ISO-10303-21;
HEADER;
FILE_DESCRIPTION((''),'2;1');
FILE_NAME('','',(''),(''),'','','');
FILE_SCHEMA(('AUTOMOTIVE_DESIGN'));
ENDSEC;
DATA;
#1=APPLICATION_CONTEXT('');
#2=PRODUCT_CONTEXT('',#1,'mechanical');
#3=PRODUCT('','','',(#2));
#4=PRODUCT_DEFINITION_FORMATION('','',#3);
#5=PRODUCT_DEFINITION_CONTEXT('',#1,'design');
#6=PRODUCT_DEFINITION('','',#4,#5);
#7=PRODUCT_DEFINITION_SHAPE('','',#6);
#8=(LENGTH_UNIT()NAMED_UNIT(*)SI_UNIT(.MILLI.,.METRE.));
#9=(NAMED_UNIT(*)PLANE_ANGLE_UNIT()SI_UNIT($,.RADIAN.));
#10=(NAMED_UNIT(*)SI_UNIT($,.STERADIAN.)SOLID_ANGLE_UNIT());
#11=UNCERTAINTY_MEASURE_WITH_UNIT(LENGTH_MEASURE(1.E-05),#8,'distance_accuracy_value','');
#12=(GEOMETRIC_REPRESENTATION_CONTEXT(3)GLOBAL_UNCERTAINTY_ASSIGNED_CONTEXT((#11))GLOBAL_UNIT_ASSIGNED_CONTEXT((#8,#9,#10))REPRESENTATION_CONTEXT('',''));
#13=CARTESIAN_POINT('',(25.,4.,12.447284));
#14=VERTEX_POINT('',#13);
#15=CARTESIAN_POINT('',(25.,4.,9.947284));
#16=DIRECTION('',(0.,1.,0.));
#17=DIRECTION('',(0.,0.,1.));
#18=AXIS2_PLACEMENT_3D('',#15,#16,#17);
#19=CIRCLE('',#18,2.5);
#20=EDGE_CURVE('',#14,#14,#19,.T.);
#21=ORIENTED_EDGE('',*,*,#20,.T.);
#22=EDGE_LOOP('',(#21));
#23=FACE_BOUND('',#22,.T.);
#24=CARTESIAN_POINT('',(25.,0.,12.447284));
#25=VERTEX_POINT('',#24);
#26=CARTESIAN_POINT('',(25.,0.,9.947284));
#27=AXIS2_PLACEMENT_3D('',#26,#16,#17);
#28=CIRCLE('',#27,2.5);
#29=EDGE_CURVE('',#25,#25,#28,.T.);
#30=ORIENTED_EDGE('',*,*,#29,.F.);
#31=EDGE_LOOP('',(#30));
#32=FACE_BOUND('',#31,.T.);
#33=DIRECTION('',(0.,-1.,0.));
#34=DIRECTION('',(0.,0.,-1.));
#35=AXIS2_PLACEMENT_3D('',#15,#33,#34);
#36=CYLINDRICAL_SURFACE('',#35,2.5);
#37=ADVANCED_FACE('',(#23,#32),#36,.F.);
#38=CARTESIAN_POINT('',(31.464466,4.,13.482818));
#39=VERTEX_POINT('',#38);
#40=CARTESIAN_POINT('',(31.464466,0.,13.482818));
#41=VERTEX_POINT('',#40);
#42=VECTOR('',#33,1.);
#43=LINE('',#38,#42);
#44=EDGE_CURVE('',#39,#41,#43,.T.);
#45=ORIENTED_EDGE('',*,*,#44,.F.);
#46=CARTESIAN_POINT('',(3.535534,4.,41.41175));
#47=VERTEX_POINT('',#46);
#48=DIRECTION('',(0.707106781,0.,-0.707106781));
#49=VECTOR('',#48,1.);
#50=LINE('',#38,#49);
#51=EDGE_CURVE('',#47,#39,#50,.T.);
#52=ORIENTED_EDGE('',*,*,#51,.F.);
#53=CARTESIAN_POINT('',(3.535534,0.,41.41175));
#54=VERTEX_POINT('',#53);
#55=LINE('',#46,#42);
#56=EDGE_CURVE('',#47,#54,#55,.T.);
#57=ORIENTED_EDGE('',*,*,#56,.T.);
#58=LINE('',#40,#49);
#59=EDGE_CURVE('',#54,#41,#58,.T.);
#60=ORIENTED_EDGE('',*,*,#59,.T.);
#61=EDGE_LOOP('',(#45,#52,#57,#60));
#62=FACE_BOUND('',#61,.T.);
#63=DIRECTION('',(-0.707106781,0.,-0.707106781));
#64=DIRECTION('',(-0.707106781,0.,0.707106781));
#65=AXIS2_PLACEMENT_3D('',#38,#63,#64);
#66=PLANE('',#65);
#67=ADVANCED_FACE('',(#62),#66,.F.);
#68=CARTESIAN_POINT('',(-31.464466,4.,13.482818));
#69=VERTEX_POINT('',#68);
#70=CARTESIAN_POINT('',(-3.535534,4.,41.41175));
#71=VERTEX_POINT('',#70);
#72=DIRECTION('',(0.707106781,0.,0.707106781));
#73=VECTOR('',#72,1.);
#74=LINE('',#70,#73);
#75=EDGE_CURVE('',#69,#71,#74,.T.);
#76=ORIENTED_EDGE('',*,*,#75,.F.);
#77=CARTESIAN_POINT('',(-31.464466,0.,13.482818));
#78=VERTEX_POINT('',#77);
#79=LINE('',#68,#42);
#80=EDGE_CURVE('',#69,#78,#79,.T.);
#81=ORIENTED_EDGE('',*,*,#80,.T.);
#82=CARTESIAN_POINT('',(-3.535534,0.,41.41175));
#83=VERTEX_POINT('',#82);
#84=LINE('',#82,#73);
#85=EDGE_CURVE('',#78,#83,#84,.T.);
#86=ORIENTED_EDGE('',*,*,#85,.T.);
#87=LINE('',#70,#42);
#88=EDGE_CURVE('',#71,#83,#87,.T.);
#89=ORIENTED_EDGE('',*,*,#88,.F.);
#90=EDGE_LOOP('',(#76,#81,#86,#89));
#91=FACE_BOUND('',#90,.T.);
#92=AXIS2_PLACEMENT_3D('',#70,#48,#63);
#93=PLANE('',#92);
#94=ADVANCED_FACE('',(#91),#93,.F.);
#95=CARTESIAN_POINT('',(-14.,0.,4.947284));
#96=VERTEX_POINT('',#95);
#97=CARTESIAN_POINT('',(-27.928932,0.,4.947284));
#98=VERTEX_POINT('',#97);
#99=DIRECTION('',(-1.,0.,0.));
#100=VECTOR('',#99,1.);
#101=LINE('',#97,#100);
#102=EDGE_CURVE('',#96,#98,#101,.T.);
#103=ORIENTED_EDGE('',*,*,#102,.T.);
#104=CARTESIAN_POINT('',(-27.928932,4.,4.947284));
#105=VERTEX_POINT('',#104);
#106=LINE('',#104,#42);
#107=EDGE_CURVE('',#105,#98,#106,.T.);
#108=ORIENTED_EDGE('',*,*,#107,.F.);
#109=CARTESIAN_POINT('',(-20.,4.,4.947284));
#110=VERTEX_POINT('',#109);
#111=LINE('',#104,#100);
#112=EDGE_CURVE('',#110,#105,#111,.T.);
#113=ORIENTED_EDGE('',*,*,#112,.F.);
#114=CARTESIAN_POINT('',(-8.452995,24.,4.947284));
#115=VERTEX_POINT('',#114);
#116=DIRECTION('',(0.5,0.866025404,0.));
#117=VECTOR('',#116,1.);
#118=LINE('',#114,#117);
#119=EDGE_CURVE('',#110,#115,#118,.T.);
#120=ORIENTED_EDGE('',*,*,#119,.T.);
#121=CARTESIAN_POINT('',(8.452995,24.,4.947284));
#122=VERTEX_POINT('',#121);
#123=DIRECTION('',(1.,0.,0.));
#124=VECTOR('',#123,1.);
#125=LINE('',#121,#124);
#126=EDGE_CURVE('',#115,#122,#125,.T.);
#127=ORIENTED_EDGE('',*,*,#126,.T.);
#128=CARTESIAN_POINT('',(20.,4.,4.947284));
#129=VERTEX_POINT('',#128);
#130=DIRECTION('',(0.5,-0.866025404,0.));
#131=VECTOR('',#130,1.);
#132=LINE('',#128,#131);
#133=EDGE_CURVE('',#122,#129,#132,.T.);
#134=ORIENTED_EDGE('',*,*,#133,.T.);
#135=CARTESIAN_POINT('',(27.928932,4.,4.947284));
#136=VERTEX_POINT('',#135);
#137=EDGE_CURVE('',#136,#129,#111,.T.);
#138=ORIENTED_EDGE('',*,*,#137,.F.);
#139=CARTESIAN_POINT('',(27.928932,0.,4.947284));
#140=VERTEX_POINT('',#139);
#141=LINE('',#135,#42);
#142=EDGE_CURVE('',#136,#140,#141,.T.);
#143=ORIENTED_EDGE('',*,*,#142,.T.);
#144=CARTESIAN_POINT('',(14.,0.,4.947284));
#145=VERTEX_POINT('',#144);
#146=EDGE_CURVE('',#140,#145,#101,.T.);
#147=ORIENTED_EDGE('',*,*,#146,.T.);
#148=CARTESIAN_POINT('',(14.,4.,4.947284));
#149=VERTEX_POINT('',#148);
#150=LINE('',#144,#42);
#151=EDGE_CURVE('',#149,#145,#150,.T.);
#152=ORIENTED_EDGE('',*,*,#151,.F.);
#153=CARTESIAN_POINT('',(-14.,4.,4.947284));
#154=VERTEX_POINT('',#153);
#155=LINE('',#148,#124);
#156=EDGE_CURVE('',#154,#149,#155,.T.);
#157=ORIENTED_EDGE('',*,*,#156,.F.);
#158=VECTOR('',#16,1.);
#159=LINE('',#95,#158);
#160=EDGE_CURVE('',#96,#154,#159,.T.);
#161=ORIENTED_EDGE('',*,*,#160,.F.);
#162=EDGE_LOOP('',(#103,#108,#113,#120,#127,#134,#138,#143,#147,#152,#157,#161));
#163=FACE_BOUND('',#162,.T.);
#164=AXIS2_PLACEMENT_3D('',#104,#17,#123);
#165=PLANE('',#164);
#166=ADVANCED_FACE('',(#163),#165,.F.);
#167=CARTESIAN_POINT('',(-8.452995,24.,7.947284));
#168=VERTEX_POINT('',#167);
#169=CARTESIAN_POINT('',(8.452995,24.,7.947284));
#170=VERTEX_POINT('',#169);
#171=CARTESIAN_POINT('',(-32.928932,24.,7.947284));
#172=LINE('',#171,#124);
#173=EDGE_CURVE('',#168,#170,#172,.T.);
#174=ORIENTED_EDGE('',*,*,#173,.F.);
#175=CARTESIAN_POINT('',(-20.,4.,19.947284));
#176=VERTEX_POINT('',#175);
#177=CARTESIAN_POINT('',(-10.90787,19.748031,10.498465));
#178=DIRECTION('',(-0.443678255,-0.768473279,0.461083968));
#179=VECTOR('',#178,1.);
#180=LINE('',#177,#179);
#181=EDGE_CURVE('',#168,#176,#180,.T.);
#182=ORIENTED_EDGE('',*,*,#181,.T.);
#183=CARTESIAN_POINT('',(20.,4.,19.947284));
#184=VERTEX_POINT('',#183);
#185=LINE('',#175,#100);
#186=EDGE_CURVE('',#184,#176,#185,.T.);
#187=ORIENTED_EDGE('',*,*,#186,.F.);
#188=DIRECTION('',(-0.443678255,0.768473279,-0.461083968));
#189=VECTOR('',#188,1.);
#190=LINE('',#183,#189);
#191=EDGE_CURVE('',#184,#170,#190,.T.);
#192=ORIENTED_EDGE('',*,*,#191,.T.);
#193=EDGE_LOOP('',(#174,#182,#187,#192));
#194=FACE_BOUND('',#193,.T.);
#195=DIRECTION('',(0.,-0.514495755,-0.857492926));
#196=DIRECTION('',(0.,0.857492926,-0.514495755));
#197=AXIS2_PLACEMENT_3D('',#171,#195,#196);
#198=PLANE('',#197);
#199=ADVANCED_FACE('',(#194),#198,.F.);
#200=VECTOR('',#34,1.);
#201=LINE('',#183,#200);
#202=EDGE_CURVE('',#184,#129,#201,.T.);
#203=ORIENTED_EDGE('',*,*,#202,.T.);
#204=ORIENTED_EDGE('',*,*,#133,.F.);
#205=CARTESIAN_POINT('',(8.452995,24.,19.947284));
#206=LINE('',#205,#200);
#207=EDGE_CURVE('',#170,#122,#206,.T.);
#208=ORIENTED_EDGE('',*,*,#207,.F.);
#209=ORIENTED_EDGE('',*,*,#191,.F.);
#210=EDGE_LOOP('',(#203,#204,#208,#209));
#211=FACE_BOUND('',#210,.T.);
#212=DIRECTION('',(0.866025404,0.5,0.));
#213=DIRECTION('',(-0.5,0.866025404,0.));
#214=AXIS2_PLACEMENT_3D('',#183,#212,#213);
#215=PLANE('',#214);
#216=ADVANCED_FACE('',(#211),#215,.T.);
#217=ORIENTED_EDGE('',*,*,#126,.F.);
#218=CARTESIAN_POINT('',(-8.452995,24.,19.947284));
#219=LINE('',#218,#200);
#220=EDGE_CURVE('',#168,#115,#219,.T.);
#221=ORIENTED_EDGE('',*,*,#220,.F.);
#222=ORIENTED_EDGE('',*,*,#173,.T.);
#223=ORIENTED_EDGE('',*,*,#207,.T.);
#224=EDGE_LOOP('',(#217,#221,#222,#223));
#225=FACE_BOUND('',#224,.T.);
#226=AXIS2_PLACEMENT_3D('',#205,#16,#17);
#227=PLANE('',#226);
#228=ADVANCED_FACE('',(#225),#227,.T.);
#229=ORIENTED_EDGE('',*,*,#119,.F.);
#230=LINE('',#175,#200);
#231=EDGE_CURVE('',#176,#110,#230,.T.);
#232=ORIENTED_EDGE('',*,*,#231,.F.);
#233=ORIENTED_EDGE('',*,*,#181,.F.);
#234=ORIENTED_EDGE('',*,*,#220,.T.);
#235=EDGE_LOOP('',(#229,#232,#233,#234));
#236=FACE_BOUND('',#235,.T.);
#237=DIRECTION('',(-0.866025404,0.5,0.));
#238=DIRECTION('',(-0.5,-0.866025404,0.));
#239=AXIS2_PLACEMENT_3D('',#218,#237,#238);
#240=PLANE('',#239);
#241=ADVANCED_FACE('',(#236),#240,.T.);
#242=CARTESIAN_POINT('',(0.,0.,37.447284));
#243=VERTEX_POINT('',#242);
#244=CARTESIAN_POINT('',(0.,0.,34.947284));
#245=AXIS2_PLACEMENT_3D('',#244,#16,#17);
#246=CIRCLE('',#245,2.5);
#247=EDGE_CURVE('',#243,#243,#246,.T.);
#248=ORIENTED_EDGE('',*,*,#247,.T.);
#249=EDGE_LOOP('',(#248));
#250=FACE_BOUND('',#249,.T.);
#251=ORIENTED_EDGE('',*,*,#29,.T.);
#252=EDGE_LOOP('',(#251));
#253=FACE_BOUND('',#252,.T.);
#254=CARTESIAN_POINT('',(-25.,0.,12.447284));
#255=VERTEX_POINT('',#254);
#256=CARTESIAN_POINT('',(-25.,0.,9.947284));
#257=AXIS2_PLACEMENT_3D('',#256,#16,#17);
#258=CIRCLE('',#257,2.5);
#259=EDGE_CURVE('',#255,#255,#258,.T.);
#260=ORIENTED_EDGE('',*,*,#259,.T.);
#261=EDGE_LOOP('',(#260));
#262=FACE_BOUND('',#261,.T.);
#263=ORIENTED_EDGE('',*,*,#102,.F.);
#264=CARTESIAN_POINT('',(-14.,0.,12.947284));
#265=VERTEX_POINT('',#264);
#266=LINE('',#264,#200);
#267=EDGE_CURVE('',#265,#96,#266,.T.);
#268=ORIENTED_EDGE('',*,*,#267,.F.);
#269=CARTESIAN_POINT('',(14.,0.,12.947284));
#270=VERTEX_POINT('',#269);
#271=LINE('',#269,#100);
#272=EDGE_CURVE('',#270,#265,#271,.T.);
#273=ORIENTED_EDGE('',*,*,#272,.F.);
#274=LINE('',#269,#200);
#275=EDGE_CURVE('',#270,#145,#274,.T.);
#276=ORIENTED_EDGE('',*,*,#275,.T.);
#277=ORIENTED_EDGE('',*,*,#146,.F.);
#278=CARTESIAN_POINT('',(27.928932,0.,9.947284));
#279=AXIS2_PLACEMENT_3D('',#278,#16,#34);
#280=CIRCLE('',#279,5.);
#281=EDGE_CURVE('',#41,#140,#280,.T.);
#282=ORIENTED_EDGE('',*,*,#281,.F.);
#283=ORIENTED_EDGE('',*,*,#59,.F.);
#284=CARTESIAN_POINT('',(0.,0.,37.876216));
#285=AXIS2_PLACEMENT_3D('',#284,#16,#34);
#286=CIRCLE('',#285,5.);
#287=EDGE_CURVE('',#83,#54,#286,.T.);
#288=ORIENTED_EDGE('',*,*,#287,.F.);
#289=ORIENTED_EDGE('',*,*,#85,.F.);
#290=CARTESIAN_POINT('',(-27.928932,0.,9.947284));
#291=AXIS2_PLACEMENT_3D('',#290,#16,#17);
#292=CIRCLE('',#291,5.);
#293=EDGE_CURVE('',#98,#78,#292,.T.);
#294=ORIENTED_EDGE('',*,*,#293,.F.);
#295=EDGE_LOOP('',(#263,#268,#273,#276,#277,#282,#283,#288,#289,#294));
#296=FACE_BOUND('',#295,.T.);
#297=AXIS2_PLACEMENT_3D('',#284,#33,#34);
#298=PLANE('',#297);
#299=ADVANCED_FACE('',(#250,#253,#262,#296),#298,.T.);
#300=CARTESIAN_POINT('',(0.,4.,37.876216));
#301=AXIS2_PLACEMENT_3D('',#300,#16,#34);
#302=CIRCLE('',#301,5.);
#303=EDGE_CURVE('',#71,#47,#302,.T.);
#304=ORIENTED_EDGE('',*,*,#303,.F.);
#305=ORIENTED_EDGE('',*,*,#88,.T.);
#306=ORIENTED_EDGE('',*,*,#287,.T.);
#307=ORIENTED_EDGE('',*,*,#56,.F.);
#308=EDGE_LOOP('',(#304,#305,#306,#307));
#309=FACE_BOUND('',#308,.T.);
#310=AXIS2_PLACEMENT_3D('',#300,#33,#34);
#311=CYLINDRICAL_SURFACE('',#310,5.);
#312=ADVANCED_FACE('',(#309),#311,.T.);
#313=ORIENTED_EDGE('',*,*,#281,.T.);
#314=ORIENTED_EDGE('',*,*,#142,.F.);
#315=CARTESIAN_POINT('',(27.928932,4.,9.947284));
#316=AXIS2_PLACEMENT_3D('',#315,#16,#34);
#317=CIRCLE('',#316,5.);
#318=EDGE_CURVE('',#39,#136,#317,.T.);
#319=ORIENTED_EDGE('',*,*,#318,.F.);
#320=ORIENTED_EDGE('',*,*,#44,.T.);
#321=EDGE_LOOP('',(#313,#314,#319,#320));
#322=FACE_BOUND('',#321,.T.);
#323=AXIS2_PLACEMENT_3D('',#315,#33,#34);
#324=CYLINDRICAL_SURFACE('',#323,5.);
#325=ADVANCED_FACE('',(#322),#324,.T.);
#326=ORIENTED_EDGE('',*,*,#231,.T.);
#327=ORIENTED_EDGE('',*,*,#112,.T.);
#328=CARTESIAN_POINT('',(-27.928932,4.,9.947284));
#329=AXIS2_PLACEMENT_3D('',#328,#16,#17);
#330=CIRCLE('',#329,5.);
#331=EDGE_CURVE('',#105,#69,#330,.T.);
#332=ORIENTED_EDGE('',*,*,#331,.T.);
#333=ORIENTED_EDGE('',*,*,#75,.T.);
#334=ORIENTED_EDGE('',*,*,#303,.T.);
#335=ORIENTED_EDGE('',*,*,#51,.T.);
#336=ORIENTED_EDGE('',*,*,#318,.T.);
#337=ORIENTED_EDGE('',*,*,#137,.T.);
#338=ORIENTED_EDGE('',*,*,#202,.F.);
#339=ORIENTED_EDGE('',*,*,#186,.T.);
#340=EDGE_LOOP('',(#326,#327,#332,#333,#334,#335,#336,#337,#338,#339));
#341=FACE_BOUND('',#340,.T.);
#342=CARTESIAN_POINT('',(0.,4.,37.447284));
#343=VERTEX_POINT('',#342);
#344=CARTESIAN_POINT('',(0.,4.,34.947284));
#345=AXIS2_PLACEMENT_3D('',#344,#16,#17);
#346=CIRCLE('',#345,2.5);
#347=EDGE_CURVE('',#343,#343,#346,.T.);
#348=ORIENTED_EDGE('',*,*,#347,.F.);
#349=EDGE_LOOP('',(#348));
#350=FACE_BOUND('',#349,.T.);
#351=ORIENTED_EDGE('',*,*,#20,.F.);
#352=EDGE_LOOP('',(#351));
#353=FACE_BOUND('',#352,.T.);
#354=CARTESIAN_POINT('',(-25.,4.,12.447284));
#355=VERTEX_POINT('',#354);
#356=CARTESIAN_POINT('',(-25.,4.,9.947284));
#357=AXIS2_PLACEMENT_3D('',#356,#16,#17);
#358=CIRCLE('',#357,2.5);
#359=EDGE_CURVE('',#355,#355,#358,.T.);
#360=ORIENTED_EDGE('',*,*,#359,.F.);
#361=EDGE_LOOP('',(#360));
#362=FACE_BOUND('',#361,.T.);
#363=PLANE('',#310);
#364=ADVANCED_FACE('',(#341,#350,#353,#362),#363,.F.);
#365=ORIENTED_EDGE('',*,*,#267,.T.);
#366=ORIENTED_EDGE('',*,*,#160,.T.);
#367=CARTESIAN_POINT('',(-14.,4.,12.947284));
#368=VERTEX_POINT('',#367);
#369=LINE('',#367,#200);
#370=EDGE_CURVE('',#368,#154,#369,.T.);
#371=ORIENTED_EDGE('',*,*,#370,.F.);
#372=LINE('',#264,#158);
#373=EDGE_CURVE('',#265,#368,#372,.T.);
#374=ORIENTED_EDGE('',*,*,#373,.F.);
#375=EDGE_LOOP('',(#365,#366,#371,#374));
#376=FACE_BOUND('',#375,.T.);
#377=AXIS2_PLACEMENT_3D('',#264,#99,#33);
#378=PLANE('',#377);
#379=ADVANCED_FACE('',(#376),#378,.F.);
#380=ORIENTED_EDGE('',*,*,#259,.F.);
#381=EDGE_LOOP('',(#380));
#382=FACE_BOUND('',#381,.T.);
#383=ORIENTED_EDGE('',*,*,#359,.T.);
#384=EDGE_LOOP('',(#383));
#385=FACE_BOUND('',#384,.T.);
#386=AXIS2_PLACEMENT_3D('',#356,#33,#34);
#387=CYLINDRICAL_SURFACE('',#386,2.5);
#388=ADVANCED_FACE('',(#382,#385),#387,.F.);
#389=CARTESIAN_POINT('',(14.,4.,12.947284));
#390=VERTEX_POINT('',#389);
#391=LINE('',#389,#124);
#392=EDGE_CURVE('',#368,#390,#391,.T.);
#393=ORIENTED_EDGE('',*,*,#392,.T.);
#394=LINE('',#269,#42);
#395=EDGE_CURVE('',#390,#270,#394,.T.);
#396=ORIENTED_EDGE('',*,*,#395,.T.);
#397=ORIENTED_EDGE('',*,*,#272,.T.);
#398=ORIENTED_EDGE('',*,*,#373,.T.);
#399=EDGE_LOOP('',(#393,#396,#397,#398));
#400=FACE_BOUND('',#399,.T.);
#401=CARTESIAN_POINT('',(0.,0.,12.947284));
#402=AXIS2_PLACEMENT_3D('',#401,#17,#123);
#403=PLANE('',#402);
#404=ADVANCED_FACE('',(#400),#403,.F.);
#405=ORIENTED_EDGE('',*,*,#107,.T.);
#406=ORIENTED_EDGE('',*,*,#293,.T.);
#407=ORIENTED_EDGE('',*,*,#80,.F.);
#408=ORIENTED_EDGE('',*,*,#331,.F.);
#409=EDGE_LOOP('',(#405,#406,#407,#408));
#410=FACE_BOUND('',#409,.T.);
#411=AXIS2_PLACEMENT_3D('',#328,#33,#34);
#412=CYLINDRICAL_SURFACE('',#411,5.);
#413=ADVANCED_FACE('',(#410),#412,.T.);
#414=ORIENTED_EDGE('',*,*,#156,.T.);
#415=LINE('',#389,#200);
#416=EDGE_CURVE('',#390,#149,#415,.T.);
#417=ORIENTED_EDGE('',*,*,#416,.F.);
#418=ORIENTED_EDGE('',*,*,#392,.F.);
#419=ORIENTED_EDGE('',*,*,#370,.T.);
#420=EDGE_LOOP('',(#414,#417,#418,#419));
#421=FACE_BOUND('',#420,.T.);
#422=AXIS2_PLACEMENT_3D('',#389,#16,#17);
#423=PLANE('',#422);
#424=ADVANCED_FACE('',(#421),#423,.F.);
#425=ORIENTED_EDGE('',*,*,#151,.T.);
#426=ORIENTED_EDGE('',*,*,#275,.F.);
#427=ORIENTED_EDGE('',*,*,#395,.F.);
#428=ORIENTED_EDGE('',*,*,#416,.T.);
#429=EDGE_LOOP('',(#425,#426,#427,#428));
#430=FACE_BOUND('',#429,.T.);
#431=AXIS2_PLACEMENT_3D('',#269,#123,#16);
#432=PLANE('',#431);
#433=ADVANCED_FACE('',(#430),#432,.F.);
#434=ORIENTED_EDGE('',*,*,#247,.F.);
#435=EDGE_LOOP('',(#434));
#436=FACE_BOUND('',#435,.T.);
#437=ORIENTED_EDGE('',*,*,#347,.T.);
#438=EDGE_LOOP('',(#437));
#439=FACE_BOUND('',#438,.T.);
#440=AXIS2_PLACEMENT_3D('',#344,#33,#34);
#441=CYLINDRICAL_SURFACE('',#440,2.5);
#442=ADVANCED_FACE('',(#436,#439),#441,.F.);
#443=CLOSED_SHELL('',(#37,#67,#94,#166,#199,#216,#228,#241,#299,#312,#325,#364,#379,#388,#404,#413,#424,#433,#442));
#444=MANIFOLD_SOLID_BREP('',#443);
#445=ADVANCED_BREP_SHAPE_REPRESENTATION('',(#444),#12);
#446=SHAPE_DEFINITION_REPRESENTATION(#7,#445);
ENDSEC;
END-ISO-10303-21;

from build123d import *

# Parameters (mm, degrees)
SKETCH_1_R               = 2.5
EXTRUDE_1_DEPTH          = 4
EXTRUDE_2_DEPTH          = 15
SKETCH_3_W               = 28
SKETCH_3_H               = 4
CUT_EXTRUDE_1_DEPTH      = 8
CUT_EXTRUDE_2_DEPTH      = 60.149678768
CUT_EXTRUDE_2_DEPTH_BACK = 60.149678768


with BuildPart() as part:
    # 草图1 → 凸台-拉伸1 (new body)
    with BuildSketch(Plane(origin=(0, 0, 0), x_dir=(1, 0, 0), z_dir=(0, 1, 0))):
        with BuildLine():
            Line((-27.928932188, -4.947284101), (27.928932188, -4.947284101))
            ThreePointArc((27.928932188, -4.947284101), (32.548329851, -8.03386694), (31.464466094, -13.482818007))
            Line((31.464466094, -13.482818007), (3.535533906, -41.411750195))
            ThreePointArc((3.535533906, -41.411750195), (0, -42.87621629), (-3.535533906, -41.411750195))
            Line((-3.535533906, -41.411750195), (-31.464466094, -13.482818007))
            ThreePointArc((-31.464466094, -13.482818007), (-32.548329851, -8.03386694), (-27.928932188, -4.947284101))
        make_face()
        with Locations(Location((-25, -9.947284101, 0), (0, 0, 270))):
            Circle(SKETCH_1_R, mode=Mode.SUBTRACT)
        with Locations(Location((25, -9.947284101, 0), (0, 0, 270))):
            Circle(SKETCH_1_R, mode=Mode.SUBTRACT)
        with Locations(Location((0, -34.947284101, 0), (0, 0, 270))):
            Circle(SKETCH_1_R, mode=Mode.SUBTRACT)
    extrude(amount=EXTRUDE_1_DEPTH)

    # 草图2 → 凸台-拉伸2 (add)
    with BuildSketch(Plane(origin=(0, 0, 4.947284101), x_dir=(-1, 0, 0), z_dir=(0, 0, -1))):
        Polygon((-20, 4), (-8.452994616, 24), (8.452994616, 24), (20, 4), align=None)
    extrude(amount=-EXTRUDE_2_DEPTH)

    # 草图3 → 切除-拉伸1 (cut)
    with BuildSketch(Plane(origin=(0, 0, 4.947284101), x_dir=(-1, 0, 0), z_dir=(0, 0, -1))):
        with Locations((0, 2)):
            Rectangle(SKETCH_3_W, SKETCH_3_H)
    extrude(amount=-CUT_EXTRUDE_1_DEPTH, mode=Mode.SUBTRACT)

    # 草图4 → 切除-拉伸2 (cut, two sides: drawn at the far end of the back side and taken through both)
    with BuildSketch(Plane(origin=(0, 0, 0), x_dir=(0, 0, -1), z_dir=(1, 0, 0)).offset(-CUT_EXTRUDE_2_DEPTH_BACK)):
        Polygon((-19.947284101, 24), (-7.947284101, 24), (-19.947284101, 4), align=None)
    extrude(amount=CUT_EXTRUDE_2_DEPTH + CUT_EXTRUDE_2_DEPTH_BACK, mode=Mode.SUBTRACT)


solid = part.part
